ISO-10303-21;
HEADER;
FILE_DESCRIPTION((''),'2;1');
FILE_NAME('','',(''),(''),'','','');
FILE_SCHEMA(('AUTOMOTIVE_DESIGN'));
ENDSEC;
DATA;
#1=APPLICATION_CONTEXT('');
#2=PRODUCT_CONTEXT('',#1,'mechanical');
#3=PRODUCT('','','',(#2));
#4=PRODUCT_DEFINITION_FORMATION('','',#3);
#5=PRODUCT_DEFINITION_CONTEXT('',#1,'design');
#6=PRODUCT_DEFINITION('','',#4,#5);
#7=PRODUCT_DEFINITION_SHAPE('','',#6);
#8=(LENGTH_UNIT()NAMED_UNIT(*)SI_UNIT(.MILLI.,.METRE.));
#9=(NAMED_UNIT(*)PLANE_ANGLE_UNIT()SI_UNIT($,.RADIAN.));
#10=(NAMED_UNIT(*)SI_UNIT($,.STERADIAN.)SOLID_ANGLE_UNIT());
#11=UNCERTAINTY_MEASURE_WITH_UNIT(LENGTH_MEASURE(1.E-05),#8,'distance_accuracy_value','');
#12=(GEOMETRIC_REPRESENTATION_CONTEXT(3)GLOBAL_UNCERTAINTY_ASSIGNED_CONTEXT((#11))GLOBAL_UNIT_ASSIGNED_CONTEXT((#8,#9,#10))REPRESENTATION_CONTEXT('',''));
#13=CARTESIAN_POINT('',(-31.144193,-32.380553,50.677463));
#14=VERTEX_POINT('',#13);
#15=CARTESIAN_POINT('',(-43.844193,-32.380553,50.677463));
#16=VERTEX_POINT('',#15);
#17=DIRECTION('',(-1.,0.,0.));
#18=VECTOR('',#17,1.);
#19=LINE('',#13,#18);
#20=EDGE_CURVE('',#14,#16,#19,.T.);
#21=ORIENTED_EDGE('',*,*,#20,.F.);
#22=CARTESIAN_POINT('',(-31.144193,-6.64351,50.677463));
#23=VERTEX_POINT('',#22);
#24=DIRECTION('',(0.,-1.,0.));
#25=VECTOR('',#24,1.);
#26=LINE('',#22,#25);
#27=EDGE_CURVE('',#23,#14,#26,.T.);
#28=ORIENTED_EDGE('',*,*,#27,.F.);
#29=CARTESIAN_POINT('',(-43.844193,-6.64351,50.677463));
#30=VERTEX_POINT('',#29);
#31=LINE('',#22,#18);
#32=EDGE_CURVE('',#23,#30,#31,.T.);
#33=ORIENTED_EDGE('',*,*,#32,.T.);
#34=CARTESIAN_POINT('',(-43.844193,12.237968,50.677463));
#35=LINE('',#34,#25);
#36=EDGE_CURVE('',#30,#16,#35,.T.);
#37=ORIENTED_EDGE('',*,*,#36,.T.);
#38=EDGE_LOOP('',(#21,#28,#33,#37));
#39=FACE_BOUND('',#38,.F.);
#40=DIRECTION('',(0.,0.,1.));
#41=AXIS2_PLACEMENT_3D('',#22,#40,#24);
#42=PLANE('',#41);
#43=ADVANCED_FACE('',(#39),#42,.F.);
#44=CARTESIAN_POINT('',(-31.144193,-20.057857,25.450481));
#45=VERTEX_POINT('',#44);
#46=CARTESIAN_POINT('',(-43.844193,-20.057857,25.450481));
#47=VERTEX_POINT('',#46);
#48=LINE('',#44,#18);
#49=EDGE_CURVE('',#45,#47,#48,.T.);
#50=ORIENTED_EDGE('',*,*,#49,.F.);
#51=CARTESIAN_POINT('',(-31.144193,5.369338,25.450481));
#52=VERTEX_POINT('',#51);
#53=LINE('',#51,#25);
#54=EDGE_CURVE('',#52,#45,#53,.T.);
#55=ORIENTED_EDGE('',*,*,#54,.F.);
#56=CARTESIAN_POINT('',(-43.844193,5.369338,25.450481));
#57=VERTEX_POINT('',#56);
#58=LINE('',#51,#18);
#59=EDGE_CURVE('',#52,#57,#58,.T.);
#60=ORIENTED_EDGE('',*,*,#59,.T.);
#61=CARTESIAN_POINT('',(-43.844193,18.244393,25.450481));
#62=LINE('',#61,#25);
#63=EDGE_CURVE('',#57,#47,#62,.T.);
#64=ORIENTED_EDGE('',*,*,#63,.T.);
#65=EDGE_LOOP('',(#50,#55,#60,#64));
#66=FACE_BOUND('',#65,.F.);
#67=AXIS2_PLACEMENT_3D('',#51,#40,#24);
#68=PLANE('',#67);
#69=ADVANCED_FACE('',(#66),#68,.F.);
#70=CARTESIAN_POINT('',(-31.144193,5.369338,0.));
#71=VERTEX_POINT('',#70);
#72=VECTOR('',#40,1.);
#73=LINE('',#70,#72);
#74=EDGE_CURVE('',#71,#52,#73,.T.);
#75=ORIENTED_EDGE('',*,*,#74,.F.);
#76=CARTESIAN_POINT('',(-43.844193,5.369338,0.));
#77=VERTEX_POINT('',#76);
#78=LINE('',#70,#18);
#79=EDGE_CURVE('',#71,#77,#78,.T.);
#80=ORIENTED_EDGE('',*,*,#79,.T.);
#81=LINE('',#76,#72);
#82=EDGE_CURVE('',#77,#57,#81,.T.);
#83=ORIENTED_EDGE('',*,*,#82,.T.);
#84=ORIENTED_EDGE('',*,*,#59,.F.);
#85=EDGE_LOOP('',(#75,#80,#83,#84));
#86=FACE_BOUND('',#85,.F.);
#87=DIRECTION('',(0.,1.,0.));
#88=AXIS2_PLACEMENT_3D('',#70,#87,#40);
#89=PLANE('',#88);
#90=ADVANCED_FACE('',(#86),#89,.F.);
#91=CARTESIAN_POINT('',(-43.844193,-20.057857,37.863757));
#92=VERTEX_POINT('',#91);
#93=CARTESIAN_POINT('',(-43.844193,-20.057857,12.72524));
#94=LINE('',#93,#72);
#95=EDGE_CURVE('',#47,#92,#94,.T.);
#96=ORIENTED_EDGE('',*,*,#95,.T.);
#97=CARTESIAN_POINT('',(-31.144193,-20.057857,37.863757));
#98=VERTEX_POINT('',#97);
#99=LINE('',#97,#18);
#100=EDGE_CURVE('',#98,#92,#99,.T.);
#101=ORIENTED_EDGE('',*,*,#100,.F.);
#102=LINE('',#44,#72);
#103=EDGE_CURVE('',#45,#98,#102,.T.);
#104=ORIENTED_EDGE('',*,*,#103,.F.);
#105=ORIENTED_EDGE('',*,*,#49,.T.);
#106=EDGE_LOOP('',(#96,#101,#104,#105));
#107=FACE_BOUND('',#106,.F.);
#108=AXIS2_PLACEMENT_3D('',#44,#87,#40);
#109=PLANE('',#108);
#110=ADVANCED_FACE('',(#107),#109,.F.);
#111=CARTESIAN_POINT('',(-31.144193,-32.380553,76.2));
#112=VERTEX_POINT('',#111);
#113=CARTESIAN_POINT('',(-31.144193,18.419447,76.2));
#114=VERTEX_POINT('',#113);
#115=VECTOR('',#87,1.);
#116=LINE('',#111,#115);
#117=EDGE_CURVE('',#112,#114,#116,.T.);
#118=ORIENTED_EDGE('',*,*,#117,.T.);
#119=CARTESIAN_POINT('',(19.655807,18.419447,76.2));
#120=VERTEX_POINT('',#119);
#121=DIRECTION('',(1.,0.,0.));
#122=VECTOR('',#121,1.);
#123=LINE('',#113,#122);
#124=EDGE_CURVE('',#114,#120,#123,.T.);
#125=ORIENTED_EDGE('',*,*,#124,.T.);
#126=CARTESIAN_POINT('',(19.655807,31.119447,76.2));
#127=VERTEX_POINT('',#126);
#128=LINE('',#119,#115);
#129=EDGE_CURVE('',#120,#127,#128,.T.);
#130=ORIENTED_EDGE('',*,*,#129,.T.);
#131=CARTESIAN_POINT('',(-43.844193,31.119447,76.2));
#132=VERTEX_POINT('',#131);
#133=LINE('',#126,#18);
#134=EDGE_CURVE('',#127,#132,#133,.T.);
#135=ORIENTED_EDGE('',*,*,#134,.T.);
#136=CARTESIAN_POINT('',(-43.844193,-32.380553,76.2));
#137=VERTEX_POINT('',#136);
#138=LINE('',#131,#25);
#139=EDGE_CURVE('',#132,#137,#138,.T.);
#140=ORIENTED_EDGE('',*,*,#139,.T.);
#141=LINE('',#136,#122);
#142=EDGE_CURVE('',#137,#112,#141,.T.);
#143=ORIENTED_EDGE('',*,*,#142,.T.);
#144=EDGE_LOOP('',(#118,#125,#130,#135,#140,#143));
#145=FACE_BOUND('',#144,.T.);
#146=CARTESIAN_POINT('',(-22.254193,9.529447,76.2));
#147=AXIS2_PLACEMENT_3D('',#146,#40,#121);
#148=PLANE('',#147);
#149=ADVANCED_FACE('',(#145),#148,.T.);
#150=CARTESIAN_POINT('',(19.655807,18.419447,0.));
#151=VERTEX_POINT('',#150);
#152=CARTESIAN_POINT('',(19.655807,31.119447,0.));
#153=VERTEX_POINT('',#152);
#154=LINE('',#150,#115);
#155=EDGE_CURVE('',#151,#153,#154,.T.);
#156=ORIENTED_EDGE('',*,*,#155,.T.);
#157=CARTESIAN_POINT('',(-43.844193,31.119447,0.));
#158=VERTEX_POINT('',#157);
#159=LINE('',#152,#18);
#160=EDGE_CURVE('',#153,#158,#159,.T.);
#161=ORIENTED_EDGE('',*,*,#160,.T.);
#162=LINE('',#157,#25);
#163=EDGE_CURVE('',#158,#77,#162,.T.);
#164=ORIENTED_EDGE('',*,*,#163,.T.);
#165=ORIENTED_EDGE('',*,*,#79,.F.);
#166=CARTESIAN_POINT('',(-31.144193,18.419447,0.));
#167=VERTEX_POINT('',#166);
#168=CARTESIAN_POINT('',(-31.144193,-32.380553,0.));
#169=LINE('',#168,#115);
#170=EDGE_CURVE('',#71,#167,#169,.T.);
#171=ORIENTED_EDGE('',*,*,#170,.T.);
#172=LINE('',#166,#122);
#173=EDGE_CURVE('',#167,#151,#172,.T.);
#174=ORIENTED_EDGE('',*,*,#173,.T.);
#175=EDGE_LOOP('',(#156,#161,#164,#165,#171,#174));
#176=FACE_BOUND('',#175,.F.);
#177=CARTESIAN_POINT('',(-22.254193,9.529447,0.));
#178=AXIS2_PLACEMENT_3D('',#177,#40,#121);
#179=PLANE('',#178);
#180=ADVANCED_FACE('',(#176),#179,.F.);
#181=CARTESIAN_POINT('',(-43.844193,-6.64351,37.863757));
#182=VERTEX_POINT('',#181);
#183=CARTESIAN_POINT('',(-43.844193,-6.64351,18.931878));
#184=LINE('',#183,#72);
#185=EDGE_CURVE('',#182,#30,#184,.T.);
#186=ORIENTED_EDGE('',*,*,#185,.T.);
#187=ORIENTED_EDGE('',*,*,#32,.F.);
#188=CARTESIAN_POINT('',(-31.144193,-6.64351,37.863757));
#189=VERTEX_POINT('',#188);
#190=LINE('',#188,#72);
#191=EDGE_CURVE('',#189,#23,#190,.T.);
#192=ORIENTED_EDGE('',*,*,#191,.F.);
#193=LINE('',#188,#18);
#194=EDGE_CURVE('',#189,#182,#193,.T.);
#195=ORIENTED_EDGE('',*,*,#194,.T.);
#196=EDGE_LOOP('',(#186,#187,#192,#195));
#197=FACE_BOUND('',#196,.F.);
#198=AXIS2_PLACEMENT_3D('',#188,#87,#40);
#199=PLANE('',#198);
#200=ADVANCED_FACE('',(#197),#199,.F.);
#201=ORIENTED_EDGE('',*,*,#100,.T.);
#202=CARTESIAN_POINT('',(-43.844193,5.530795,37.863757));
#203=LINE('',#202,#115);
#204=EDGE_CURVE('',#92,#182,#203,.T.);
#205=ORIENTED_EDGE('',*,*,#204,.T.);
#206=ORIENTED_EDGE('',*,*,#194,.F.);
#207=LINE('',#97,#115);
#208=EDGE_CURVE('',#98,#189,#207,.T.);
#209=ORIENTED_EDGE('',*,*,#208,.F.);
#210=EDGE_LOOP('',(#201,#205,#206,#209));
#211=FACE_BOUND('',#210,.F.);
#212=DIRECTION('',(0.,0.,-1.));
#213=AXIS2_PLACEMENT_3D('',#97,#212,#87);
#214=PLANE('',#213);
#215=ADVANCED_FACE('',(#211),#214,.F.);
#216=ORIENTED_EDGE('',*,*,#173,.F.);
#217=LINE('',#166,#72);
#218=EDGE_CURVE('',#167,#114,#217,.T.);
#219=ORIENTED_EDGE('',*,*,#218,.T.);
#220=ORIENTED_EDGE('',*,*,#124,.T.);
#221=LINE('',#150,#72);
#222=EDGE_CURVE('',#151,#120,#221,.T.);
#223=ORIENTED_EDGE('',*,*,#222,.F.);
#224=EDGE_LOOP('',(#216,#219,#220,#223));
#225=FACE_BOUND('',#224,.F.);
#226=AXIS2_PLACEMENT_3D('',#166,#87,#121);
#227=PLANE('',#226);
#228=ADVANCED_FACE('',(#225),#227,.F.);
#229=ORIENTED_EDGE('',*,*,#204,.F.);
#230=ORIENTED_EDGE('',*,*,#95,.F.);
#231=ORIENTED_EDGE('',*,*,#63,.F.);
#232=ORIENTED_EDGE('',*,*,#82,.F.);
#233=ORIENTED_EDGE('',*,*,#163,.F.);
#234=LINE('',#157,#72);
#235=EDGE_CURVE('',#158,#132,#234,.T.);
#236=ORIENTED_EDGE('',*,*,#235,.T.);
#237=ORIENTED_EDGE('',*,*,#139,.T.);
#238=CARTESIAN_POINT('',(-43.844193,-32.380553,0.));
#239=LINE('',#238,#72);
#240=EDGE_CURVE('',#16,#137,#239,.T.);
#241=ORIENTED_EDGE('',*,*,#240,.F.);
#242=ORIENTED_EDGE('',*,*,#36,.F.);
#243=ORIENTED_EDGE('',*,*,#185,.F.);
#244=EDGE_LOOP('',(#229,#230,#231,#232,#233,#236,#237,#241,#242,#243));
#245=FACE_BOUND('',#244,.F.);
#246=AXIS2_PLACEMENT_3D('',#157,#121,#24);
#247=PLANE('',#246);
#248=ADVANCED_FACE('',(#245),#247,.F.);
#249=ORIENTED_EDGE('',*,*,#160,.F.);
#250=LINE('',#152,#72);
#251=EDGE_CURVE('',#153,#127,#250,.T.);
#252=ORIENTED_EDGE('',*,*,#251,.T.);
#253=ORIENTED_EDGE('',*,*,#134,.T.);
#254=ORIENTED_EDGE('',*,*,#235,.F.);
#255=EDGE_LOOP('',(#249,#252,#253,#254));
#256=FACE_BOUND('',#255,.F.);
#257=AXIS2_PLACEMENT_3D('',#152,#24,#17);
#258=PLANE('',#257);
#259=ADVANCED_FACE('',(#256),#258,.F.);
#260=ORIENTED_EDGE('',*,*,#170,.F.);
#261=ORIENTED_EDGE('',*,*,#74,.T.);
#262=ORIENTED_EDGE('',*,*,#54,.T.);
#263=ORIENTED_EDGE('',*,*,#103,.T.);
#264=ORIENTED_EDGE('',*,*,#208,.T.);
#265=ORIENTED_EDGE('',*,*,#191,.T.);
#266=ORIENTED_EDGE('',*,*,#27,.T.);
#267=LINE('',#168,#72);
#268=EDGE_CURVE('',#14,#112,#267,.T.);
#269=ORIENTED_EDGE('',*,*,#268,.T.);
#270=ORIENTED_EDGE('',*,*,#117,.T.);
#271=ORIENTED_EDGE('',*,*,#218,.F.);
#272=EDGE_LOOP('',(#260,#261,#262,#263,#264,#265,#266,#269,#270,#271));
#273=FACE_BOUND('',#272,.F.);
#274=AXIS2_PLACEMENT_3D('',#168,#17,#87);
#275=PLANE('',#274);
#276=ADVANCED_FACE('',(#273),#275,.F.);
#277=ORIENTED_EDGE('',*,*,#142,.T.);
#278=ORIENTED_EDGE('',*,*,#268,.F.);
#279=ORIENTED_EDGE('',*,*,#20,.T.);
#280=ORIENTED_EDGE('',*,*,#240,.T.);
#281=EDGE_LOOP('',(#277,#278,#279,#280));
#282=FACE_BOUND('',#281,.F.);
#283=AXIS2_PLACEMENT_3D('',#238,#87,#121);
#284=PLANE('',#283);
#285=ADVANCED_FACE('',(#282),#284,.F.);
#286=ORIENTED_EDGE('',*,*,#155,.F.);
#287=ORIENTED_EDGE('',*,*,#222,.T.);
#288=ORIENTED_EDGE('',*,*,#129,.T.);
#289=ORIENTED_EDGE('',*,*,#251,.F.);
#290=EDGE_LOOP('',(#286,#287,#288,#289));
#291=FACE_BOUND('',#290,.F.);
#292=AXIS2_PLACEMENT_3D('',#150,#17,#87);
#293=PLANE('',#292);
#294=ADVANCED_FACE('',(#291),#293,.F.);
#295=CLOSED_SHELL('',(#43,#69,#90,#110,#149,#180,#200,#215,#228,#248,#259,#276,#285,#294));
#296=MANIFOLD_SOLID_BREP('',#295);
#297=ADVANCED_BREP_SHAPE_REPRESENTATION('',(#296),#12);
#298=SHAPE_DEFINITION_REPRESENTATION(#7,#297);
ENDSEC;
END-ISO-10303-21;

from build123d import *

# Parameters (mm, degrees)
F1_DEPTH = 76.2
F3_DEPTH = 25.4


with BuildPart() as f1:
    # F0 (on Top) → F1 (new body)
    with BuildSketch(Plane.XY):
        Polygon((-43.844193, 31.119447), (-43.844193, -32.380553), (-31.144193, -32.380553), (-31.144193, 18.419447), (19.655807, 18.419447), (19.655807, 31.119447), align=None)
    extrude(amount=F1_DEPTH)

    # F2 (on face) → F3 (cut)
    with BuildSketch(Plane.YZ.offset(-31.144193)):
        Polygon((-32.380553, 50.677463), (-32.380553, 0), (5.369338, 0), (5.369338, 25.450481), (-20.057857, 25.450481), (-20.057857, 37.863757), (-6.64351, 37.863757), (-6.64351, 50.677463), align=None)
    extrude(amount=-F3_DEPTH, mode=Mode.SUBTRACT)


solid = f1.part
